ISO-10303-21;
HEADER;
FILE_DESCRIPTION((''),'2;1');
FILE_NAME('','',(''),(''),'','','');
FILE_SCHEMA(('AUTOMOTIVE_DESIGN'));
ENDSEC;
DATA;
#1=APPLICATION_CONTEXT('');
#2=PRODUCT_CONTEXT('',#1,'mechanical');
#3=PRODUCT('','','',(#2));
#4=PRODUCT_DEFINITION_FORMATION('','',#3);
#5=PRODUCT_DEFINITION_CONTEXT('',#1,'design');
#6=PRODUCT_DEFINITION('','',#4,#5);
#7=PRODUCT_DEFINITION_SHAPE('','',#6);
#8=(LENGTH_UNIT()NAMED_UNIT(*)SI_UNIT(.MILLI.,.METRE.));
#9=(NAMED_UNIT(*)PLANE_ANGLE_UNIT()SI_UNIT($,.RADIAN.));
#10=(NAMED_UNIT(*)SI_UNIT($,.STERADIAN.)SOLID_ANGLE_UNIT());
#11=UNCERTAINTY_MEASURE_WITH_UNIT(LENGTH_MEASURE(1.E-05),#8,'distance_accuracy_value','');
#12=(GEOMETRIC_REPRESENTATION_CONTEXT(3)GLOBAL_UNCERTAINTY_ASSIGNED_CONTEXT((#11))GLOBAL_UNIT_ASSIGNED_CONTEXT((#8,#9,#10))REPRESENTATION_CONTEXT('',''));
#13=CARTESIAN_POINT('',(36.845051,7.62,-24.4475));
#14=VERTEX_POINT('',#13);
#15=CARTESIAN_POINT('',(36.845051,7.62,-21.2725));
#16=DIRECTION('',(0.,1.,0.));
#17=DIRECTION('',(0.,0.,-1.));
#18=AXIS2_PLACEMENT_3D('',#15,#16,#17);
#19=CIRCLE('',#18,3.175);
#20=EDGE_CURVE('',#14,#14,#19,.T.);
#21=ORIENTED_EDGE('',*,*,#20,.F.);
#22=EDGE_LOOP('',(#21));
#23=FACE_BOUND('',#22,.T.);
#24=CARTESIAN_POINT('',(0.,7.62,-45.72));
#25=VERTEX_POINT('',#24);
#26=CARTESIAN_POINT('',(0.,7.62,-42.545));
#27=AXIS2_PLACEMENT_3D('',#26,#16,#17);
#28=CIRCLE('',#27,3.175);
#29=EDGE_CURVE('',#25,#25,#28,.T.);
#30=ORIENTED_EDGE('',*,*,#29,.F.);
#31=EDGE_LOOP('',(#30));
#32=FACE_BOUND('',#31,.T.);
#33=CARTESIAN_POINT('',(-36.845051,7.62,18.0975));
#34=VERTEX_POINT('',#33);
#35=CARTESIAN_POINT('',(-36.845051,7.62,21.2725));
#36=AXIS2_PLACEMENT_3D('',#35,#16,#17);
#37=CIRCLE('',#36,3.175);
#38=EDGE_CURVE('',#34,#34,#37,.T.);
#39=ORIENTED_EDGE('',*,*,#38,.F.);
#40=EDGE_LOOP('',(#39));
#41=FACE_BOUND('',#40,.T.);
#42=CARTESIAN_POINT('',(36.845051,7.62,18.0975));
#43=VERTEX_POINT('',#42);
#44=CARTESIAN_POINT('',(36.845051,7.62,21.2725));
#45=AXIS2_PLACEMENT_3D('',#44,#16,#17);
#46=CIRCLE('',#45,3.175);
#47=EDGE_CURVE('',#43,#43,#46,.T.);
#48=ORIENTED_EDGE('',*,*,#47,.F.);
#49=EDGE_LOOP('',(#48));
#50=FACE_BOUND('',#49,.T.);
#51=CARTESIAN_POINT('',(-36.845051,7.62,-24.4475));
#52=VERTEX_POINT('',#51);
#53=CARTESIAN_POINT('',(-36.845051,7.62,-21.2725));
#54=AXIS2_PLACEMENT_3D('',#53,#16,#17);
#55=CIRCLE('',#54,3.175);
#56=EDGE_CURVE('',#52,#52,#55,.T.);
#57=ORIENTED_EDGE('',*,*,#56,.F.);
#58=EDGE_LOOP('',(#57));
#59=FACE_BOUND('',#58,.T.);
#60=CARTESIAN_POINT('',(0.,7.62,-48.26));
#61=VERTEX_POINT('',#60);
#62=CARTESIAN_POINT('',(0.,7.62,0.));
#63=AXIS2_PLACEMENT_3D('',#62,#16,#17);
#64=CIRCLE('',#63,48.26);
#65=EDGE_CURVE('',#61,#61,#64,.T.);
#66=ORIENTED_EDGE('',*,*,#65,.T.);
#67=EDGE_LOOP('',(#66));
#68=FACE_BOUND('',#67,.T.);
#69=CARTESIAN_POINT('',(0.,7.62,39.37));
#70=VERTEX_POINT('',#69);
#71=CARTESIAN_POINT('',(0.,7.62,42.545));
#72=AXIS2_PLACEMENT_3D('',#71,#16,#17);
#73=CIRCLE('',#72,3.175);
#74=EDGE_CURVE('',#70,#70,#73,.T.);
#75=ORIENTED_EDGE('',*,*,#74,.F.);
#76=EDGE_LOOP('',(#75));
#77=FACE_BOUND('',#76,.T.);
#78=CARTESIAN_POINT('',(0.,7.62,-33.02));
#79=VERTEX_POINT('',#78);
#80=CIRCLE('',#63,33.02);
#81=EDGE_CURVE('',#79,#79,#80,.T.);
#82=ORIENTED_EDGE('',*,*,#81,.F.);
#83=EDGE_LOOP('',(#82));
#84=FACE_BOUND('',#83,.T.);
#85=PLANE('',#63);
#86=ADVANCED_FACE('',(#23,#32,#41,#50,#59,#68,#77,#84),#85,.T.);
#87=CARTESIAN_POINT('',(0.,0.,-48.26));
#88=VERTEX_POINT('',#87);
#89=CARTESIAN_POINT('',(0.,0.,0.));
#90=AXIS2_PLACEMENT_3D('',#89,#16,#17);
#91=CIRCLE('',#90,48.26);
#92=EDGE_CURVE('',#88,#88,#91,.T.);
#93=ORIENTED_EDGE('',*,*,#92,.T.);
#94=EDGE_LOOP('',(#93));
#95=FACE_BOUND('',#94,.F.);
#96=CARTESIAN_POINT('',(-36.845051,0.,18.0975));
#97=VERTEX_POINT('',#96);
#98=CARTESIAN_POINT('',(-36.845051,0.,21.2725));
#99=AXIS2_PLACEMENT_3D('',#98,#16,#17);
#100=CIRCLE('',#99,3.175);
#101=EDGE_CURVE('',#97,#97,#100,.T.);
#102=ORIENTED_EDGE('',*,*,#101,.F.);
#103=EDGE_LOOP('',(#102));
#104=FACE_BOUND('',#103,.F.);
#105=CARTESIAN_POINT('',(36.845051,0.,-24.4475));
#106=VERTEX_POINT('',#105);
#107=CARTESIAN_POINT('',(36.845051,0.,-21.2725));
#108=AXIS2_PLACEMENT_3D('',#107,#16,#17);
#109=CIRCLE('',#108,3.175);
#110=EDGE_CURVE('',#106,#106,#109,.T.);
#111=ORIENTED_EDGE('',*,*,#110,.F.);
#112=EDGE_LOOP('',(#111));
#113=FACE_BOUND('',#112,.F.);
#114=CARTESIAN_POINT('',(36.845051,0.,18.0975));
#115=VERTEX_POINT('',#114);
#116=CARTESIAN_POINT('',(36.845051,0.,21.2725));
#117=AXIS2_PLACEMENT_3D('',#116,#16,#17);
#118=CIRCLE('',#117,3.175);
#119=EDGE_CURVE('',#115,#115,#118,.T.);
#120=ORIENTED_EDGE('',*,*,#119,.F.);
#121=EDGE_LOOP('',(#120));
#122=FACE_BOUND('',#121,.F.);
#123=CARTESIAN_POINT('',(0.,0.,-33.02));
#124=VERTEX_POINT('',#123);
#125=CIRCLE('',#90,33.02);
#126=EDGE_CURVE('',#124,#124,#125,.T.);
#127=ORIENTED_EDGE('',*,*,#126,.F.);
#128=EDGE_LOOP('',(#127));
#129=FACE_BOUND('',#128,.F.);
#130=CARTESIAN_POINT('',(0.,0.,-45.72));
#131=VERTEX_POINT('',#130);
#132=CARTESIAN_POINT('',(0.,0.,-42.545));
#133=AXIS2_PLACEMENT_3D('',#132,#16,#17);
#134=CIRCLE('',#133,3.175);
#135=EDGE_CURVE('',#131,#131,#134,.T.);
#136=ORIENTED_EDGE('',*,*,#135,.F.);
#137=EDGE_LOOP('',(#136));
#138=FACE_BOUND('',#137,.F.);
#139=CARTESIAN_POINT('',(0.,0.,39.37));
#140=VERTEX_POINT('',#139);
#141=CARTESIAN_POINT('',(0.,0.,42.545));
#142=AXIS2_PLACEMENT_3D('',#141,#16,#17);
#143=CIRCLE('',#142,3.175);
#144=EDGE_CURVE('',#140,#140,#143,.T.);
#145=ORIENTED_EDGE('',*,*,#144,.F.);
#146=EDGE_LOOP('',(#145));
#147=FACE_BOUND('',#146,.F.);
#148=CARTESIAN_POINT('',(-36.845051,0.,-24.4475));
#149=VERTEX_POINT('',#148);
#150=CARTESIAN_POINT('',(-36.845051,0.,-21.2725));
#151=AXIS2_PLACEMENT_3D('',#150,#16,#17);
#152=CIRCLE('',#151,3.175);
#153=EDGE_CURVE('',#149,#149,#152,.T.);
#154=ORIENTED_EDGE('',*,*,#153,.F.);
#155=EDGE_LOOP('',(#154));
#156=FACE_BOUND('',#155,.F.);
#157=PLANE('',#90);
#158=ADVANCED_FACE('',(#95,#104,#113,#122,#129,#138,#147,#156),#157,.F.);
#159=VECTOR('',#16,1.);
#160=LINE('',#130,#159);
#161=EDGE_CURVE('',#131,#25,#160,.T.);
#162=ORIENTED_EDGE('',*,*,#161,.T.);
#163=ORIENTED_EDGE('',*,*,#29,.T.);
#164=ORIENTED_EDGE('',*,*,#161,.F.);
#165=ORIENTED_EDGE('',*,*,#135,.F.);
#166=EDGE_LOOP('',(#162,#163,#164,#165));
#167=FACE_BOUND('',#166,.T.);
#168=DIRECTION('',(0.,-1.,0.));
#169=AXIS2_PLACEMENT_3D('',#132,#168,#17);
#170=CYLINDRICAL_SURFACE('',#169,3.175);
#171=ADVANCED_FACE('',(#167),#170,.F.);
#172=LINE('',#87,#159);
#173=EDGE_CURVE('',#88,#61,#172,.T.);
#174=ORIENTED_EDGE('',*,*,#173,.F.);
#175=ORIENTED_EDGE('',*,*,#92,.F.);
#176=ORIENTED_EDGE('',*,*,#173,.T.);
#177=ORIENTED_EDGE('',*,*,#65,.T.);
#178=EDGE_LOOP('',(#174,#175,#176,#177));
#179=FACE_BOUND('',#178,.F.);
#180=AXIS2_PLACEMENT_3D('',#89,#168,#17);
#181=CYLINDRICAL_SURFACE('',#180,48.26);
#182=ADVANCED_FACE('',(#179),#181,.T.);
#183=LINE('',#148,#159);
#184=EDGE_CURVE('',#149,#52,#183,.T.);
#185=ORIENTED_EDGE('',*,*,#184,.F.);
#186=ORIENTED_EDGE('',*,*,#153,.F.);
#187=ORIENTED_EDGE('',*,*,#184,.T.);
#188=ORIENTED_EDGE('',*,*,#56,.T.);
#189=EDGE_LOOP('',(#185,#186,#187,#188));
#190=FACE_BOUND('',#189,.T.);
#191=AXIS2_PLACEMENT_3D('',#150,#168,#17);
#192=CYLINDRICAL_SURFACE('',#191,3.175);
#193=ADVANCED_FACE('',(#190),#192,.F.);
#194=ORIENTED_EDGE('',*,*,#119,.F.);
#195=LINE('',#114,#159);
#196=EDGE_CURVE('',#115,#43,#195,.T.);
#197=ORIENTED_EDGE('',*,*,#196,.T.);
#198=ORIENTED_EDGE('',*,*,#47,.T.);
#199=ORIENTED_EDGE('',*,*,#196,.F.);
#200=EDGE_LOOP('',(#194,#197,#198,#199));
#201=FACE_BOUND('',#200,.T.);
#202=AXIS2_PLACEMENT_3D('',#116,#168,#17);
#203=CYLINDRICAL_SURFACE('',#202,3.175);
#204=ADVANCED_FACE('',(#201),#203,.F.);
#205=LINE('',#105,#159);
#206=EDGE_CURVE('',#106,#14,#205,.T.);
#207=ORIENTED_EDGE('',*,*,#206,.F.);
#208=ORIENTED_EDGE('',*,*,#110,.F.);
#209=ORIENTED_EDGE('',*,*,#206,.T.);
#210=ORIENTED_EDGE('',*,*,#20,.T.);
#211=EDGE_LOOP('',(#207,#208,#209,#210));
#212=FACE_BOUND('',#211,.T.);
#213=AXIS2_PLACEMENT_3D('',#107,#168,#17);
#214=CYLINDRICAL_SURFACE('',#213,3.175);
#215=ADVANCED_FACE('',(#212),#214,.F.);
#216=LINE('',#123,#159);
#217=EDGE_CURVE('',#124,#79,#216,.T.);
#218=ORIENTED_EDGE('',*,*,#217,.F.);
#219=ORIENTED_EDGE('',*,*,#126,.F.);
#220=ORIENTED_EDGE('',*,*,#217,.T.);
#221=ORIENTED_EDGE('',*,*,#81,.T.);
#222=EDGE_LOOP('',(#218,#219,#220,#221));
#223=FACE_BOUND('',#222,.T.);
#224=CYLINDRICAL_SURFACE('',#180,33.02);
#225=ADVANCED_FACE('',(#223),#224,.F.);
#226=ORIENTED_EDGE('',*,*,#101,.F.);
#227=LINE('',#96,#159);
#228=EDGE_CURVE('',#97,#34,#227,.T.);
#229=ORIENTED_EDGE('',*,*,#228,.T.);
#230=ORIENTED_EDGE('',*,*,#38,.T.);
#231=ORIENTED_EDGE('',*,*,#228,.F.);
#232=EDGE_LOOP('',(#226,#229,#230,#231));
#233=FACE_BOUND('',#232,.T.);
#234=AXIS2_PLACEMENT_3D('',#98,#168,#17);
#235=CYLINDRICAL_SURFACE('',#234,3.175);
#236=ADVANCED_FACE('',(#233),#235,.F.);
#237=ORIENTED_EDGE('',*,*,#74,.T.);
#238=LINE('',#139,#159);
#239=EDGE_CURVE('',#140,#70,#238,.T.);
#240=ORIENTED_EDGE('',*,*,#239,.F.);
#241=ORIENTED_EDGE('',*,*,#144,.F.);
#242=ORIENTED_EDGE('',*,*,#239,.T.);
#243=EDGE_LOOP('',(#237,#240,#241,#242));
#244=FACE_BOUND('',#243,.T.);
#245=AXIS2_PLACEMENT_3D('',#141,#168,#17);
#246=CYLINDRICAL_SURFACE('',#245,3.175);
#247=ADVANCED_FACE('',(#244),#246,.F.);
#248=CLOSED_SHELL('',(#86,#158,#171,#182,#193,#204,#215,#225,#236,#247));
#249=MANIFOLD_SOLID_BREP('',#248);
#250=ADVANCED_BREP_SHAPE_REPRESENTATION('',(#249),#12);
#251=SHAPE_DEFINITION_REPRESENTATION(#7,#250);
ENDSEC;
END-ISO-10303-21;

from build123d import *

# Parameters (mm, degrees)
SKETCH1_R           = 48.26
SKETCH1_R_2         = 33.02
SKETCH1_R_3         = 3.175
BOSS_EXTRUDE1_DEPTH = 7.62


with BuildPart() as part:
    # Sketch1 → Boss-Extrude1 (new body)
    with BuildSketch(Plane(origin=(0, 0, 0), x_dir=(1, 0, 0), z_dir=(0, 1, 0))):
        with Locations(Location((0, 0, 0), (0, 0, 90))):
            Circle(SKETCH1_R)
        with Locations(Location((0, 0, 0), (0, 0, 90))):
            Circle(SKETCH1_R_2, mode=Mode.SUBTRACT)
        with Locations(Location((0, 42.545, 0), (0, 0, 90))):
            Circle(SKETCH1_R_3, mode=Mode.SUBTRACT)
        with Locations(Location((36.845050804, 21.2725, 0), (0, 0, 90))):
            Circle(SKETCH1_R_3, mode=Mode.SUBTRACT)
        with Locations(Location((36.845050804, -21.2725, 0), (0, 0, 90))):
            Circle(SKETCH1_R_3, mode=Mode.SUBTRACT)
        with Locations(Location((0, -42.545, 0), (0, 0, 90))):
            Circle(SKETCH1_R_3, mode=Mode.SUBTRACT)
        with Locations(Location((-36.845050804, -21.2725, 0), (0, 0, 90))):
            Circle(SKETCH1_R_3, mode=Mode.SUBTRACT)
        with Locations(Location((-36.845050804, 21.2725, 0), (0, 0, 90))):
            Circle(SKETCH1_R_3, mode=Mode.SUBTRACT)
    extrude(amount=BOSS_EXTRUDE1_DEPTH)


solid = part.part
